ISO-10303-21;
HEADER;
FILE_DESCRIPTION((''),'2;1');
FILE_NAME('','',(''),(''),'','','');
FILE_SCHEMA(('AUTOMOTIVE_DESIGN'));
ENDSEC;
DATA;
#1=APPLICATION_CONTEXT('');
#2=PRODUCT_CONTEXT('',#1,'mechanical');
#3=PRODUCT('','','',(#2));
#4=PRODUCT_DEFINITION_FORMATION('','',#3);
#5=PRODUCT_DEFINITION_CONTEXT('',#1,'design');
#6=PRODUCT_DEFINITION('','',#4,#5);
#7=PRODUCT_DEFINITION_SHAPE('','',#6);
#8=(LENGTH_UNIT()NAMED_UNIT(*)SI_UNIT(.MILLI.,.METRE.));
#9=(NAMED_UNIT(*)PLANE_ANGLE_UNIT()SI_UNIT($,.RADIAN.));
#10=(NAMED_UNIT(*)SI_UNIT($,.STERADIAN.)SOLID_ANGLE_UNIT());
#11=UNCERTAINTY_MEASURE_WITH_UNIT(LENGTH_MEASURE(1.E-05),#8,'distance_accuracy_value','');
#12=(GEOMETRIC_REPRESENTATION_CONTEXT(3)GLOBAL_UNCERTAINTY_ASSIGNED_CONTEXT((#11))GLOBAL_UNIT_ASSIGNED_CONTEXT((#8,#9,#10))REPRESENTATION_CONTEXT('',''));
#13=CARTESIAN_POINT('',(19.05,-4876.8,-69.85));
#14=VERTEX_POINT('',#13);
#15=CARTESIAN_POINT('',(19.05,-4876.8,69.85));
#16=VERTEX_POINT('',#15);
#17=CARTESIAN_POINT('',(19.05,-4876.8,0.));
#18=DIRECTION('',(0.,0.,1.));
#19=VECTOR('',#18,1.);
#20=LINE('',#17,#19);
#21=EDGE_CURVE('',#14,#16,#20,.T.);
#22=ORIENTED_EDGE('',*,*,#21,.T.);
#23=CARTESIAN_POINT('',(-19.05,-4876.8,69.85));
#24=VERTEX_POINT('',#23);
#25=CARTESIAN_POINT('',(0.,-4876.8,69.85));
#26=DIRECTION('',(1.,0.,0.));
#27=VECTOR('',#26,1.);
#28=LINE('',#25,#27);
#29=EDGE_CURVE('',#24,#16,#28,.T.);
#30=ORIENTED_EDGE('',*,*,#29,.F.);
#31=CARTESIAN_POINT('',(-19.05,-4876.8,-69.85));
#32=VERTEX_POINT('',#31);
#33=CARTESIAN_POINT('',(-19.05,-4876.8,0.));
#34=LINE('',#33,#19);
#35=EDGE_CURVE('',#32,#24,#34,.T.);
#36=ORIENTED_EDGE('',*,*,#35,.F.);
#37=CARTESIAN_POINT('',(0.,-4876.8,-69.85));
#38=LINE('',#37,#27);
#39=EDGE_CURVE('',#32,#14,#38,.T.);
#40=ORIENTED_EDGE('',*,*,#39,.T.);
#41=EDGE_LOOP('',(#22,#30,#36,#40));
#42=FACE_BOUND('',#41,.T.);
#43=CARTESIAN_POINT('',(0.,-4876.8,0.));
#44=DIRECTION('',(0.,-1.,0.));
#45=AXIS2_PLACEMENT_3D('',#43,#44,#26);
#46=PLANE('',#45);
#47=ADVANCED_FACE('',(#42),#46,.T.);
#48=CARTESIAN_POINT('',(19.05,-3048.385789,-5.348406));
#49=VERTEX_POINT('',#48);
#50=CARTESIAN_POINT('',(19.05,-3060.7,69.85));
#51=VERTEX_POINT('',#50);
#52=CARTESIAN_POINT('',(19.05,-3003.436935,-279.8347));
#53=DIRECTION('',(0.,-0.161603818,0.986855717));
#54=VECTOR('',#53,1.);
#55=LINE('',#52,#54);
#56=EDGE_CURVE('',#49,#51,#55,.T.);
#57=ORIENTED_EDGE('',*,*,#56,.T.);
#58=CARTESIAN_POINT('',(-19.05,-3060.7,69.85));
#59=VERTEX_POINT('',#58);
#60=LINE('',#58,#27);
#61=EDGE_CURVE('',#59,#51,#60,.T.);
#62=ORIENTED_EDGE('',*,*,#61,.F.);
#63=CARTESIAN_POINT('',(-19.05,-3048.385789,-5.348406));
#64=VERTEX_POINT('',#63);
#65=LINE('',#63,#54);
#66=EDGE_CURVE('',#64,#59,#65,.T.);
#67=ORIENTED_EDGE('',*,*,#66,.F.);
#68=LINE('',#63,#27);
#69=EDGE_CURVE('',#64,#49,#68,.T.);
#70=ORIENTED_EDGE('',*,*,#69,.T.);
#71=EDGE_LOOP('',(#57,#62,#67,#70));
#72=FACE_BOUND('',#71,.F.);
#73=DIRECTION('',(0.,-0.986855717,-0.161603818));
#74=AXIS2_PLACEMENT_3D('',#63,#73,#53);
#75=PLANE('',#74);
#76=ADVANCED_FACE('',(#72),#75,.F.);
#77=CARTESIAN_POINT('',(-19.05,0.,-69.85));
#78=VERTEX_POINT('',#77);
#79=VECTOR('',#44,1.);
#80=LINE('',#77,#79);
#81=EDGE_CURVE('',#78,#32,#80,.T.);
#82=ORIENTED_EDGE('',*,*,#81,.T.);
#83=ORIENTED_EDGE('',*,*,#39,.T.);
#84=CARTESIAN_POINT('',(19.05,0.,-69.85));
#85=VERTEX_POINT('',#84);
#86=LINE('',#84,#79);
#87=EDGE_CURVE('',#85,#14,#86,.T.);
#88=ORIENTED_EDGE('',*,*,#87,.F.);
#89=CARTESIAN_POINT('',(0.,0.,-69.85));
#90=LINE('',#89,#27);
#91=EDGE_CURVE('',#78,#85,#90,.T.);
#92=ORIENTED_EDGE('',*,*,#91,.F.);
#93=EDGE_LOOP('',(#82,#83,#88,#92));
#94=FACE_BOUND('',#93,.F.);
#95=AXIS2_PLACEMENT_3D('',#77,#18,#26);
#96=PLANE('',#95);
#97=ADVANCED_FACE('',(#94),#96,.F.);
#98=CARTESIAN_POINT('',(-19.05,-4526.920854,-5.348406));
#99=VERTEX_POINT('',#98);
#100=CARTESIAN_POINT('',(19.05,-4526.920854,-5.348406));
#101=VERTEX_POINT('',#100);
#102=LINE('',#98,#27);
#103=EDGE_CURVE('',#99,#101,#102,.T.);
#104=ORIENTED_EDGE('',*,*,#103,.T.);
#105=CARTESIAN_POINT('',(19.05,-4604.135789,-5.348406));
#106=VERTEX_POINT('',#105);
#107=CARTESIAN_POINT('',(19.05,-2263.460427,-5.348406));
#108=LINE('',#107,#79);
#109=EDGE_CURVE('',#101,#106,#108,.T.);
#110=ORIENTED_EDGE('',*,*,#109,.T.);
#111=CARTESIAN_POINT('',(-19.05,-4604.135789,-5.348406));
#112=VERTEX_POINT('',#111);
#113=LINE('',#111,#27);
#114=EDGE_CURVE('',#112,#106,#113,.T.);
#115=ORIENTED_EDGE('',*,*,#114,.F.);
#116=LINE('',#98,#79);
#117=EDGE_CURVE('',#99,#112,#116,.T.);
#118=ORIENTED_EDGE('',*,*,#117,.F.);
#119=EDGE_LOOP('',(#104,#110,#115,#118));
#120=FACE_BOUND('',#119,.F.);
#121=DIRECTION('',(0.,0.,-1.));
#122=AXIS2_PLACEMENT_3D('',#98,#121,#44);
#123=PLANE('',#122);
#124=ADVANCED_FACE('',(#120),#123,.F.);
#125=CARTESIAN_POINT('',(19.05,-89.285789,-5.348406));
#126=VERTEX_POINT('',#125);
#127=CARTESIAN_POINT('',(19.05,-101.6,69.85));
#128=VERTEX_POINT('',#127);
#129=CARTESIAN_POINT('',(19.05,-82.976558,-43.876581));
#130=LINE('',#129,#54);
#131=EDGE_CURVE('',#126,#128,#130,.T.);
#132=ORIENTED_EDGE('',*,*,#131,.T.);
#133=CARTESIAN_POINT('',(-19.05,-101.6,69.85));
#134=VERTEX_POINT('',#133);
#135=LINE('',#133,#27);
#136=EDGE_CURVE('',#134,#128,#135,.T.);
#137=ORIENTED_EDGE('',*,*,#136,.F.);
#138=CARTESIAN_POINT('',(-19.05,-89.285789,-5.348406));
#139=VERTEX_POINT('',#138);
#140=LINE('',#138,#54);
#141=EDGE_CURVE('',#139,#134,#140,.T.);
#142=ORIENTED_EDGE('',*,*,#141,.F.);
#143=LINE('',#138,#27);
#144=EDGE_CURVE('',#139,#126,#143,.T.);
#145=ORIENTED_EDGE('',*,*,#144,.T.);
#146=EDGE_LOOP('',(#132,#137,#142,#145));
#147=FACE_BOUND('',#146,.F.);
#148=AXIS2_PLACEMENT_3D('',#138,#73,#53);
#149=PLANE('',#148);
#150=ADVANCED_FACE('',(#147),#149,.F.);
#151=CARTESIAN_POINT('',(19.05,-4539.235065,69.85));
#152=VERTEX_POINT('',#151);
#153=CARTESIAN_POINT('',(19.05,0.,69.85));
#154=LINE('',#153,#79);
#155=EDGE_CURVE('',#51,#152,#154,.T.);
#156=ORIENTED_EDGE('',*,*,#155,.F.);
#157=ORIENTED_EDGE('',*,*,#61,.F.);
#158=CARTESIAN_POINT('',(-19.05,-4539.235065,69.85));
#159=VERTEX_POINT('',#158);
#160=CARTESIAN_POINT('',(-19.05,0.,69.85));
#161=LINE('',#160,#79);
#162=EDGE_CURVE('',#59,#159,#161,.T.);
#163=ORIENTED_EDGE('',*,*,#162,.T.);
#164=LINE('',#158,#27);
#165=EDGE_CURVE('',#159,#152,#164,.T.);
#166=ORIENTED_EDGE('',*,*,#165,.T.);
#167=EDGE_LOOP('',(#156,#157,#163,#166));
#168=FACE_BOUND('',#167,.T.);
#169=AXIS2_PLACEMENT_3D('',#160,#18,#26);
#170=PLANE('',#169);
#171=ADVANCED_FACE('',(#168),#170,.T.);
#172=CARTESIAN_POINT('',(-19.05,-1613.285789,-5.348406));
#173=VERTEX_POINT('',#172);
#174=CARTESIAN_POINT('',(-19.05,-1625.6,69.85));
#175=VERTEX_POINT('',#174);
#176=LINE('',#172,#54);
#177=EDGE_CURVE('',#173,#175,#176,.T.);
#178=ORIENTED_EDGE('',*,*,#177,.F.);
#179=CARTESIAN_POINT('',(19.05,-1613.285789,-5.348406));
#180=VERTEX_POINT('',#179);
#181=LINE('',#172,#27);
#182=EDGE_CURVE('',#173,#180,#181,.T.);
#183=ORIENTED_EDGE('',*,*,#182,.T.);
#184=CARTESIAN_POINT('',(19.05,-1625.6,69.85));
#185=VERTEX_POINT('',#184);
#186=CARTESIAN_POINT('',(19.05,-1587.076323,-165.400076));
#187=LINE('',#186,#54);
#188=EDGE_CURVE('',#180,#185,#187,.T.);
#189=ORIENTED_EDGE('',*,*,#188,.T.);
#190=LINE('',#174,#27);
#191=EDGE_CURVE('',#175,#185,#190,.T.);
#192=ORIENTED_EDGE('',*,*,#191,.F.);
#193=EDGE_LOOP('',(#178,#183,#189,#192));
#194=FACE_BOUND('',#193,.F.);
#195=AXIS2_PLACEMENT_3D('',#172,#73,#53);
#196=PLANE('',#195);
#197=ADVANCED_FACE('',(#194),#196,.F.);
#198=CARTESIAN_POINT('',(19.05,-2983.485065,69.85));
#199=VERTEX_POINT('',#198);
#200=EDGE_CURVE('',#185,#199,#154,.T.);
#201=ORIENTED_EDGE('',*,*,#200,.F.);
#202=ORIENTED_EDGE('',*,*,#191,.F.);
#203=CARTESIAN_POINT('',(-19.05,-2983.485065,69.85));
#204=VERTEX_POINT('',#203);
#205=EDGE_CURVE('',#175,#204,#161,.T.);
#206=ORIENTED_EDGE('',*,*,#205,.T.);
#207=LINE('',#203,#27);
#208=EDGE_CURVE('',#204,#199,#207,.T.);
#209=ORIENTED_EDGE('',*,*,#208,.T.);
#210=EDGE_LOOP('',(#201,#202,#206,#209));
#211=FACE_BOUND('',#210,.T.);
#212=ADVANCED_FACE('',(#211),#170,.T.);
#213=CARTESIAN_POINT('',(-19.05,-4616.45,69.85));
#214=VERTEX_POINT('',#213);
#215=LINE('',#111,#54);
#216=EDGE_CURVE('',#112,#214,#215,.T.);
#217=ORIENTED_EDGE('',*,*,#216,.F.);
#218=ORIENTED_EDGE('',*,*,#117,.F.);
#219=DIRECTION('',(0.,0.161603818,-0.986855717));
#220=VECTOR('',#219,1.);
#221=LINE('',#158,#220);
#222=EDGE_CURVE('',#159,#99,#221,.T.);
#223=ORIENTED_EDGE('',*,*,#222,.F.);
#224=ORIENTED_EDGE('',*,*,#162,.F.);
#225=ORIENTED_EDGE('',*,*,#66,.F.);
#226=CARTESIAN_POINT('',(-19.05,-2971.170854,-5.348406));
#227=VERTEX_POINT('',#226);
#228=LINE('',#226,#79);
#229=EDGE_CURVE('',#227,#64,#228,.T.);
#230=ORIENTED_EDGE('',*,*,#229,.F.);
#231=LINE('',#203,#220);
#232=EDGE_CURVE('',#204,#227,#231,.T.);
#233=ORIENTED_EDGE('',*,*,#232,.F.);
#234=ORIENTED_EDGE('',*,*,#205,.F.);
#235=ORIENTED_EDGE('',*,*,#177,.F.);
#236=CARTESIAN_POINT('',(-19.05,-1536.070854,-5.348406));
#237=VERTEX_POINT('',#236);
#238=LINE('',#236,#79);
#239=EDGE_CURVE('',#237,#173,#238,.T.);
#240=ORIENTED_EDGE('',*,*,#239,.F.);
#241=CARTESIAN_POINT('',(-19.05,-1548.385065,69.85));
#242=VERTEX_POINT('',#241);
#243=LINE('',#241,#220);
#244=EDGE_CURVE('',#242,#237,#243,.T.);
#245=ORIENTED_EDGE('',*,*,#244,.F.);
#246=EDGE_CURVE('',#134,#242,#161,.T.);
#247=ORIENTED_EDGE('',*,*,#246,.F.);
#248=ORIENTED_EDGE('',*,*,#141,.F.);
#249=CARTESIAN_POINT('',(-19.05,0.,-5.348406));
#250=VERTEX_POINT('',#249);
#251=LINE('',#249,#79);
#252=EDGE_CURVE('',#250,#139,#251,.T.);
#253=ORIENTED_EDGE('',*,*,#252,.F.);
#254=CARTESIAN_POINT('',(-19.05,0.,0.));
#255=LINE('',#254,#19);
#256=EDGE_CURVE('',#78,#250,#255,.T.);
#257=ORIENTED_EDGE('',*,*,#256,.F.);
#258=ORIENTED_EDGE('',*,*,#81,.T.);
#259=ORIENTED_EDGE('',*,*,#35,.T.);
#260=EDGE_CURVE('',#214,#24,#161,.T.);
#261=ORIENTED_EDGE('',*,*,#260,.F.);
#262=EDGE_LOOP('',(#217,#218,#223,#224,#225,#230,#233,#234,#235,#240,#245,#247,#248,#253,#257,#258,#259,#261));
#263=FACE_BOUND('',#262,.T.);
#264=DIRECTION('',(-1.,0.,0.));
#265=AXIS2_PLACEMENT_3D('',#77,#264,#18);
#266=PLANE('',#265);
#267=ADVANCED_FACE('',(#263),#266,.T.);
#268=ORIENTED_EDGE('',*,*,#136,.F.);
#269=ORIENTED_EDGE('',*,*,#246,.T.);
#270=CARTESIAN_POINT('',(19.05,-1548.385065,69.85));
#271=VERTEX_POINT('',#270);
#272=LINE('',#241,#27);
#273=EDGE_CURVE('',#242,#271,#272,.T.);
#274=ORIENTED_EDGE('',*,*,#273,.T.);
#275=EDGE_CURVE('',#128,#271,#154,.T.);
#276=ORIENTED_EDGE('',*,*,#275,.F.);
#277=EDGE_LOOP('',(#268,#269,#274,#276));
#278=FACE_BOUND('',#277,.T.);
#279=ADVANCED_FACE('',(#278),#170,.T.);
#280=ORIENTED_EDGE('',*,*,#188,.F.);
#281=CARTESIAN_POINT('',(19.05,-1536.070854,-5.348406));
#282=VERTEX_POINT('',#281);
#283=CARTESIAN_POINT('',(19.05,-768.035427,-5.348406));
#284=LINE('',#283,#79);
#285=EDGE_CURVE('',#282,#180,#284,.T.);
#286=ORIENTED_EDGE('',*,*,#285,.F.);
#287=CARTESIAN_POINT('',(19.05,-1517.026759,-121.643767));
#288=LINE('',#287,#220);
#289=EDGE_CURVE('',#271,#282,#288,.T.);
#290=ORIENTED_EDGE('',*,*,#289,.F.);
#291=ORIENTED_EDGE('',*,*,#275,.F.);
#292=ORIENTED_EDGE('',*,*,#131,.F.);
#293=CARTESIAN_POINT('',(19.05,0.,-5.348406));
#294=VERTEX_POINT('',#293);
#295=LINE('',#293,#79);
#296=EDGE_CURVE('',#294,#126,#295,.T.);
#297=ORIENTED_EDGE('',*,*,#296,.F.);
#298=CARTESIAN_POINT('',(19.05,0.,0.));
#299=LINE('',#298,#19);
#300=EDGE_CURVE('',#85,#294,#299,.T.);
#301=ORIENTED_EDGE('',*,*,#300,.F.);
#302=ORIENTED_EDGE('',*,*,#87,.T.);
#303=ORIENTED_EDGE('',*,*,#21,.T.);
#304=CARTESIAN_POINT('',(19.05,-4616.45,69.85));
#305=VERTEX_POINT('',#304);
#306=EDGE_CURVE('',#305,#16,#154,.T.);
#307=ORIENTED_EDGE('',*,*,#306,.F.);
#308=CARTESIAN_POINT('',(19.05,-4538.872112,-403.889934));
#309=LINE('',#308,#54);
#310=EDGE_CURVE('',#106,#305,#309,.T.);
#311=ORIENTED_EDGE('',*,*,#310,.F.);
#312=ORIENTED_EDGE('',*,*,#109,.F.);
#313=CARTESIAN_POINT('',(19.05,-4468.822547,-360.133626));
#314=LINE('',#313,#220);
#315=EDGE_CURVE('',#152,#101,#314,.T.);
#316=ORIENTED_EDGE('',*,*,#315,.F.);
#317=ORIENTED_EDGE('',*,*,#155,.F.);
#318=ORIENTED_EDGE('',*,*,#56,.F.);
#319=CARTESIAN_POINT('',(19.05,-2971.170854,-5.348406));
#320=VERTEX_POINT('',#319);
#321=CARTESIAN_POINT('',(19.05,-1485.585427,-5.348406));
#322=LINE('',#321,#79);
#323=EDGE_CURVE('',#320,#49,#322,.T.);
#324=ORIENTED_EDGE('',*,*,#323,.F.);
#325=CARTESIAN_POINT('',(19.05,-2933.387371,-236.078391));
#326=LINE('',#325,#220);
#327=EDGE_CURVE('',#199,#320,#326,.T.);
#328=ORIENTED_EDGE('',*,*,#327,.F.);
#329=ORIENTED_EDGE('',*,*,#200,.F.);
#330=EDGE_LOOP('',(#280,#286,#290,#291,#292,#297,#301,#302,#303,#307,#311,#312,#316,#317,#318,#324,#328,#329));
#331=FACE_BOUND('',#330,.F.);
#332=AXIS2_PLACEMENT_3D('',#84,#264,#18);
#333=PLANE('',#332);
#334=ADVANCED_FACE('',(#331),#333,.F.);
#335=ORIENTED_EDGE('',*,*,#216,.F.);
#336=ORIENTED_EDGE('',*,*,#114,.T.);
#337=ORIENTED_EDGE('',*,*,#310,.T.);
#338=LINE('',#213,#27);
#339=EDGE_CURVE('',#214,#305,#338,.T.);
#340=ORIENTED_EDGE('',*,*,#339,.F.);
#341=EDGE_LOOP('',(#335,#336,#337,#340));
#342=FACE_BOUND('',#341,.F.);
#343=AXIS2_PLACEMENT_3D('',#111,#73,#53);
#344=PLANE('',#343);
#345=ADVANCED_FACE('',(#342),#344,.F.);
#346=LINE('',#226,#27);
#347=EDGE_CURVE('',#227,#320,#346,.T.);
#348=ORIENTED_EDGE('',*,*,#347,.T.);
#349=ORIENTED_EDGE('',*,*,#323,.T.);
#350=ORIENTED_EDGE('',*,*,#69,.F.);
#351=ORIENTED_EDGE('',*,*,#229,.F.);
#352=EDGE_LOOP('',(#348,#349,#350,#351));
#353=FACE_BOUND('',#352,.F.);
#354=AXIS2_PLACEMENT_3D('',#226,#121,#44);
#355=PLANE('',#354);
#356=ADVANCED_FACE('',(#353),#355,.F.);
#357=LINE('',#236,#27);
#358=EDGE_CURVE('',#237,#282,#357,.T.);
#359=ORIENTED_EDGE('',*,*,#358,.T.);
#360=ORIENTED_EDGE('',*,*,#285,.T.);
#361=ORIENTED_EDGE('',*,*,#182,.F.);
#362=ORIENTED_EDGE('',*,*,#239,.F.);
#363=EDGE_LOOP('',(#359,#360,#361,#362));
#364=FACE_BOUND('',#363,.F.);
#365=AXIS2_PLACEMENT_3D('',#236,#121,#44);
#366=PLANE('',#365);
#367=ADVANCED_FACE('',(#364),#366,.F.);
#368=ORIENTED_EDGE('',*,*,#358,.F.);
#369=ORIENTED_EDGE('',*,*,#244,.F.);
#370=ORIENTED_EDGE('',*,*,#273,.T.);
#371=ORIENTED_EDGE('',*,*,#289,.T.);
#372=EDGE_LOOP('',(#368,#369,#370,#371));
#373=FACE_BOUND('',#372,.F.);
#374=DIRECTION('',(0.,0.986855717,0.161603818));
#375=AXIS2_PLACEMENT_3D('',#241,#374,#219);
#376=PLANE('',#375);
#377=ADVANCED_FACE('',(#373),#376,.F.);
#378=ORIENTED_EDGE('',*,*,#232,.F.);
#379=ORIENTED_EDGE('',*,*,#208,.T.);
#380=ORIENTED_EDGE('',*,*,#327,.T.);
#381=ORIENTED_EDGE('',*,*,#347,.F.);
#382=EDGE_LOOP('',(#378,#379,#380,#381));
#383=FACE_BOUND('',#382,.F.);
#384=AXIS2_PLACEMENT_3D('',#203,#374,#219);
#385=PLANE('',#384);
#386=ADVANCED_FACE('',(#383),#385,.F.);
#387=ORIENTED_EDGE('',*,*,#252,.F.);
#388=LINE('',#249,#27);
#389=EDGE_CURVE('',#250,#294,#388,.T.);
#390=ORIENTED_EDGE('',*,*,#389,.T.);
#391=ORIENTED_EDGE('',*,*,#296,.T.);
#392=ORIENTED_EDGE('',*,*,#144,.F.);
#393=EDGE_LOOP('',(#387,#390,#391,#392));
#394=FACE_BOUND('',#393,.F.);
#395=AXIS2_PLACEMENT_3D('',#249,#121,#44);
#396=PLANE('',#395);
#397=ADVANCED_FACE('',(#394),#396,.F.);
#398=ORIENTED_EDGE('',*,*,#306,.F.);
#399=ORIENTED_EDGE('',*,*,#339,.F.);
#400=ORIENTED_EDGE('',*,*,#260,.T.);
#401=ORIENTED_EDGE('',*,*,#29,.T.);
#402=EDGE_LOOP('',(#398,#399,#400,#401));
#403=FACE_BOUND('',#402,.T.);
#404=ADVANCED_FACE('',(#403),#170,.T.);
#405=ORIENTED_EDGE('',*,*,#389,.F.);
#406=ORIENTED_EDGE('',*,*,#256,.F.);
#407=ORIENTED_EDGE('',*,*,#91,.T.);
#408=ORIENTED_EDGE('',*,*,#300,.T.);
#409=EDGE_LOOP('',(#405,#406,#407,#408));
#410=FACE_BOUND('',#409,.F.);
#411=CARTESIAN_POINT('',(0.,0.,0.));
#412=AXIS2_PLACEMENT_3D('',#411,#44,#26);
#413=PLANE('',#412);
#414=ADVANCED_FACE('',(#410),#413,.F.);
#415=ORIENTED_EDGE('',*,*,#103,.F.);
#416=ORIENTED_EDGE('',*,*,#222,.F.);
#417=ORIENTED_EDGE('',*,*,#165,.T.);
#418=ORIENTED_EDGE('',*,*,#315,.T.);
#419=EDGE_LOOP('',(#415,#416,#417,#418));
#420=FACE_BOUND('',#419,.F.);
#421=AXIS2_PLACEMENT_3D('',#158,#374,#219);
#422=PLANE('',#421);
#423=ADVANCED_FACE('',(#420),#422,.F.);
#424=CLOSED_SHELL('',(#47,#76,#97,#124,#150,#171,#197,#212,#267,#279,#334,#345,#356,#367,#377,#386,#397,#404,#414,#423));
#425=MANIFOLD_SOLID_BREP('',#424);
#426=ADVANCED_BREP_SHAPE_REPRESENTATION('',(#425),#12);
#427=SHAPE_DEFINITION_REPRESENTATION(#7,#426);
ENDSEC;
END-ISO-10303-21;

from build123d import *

# Parameters (mm, degrees)
F0_W     = 38.1
F0_H     = 139.7
F1_DEPTH = 4876.8
F3_DEPTH = 254


with BuildPart() as f1:
    # F0 (on Front) → F1 (new body)
    with BuildSketch(Plane.XZ):
        Rectangle(F0_W, F0_H)
    extrude(amount=F1_DEPTH)

    # F2 (on face) → F3 (cut)
    with BuildSketch(Plane(origin=(-19.05, 0, 0), x_dir=(0, -1, 0), z_dir=(-1, 0, 0))):
        Polygon((1625.6, 69.85), (1548.385065, 69.85), (1536.070854, -5.348406), (1613.285789, -5.348406), align=None)
        Polygon((3060.7, 69.85), (2983.485065, 69.85), (2971.170854, -5.348406), (3048.385789, -5.348406), align=None)
        Polygon((4616.45, 69.85), (4539.235065, 69.85), (4526.920854, -5.348406), (4604.135789, -5.348406), align=None)
        Polygon((89.285789, -5.348406), (101.6, 69.85), (0, 69.85), (0, -5.348406), align=None)
    extrude(amount=-F3_DEPTH, mode=Mode.SUBTRACT)


solid = f1.part
